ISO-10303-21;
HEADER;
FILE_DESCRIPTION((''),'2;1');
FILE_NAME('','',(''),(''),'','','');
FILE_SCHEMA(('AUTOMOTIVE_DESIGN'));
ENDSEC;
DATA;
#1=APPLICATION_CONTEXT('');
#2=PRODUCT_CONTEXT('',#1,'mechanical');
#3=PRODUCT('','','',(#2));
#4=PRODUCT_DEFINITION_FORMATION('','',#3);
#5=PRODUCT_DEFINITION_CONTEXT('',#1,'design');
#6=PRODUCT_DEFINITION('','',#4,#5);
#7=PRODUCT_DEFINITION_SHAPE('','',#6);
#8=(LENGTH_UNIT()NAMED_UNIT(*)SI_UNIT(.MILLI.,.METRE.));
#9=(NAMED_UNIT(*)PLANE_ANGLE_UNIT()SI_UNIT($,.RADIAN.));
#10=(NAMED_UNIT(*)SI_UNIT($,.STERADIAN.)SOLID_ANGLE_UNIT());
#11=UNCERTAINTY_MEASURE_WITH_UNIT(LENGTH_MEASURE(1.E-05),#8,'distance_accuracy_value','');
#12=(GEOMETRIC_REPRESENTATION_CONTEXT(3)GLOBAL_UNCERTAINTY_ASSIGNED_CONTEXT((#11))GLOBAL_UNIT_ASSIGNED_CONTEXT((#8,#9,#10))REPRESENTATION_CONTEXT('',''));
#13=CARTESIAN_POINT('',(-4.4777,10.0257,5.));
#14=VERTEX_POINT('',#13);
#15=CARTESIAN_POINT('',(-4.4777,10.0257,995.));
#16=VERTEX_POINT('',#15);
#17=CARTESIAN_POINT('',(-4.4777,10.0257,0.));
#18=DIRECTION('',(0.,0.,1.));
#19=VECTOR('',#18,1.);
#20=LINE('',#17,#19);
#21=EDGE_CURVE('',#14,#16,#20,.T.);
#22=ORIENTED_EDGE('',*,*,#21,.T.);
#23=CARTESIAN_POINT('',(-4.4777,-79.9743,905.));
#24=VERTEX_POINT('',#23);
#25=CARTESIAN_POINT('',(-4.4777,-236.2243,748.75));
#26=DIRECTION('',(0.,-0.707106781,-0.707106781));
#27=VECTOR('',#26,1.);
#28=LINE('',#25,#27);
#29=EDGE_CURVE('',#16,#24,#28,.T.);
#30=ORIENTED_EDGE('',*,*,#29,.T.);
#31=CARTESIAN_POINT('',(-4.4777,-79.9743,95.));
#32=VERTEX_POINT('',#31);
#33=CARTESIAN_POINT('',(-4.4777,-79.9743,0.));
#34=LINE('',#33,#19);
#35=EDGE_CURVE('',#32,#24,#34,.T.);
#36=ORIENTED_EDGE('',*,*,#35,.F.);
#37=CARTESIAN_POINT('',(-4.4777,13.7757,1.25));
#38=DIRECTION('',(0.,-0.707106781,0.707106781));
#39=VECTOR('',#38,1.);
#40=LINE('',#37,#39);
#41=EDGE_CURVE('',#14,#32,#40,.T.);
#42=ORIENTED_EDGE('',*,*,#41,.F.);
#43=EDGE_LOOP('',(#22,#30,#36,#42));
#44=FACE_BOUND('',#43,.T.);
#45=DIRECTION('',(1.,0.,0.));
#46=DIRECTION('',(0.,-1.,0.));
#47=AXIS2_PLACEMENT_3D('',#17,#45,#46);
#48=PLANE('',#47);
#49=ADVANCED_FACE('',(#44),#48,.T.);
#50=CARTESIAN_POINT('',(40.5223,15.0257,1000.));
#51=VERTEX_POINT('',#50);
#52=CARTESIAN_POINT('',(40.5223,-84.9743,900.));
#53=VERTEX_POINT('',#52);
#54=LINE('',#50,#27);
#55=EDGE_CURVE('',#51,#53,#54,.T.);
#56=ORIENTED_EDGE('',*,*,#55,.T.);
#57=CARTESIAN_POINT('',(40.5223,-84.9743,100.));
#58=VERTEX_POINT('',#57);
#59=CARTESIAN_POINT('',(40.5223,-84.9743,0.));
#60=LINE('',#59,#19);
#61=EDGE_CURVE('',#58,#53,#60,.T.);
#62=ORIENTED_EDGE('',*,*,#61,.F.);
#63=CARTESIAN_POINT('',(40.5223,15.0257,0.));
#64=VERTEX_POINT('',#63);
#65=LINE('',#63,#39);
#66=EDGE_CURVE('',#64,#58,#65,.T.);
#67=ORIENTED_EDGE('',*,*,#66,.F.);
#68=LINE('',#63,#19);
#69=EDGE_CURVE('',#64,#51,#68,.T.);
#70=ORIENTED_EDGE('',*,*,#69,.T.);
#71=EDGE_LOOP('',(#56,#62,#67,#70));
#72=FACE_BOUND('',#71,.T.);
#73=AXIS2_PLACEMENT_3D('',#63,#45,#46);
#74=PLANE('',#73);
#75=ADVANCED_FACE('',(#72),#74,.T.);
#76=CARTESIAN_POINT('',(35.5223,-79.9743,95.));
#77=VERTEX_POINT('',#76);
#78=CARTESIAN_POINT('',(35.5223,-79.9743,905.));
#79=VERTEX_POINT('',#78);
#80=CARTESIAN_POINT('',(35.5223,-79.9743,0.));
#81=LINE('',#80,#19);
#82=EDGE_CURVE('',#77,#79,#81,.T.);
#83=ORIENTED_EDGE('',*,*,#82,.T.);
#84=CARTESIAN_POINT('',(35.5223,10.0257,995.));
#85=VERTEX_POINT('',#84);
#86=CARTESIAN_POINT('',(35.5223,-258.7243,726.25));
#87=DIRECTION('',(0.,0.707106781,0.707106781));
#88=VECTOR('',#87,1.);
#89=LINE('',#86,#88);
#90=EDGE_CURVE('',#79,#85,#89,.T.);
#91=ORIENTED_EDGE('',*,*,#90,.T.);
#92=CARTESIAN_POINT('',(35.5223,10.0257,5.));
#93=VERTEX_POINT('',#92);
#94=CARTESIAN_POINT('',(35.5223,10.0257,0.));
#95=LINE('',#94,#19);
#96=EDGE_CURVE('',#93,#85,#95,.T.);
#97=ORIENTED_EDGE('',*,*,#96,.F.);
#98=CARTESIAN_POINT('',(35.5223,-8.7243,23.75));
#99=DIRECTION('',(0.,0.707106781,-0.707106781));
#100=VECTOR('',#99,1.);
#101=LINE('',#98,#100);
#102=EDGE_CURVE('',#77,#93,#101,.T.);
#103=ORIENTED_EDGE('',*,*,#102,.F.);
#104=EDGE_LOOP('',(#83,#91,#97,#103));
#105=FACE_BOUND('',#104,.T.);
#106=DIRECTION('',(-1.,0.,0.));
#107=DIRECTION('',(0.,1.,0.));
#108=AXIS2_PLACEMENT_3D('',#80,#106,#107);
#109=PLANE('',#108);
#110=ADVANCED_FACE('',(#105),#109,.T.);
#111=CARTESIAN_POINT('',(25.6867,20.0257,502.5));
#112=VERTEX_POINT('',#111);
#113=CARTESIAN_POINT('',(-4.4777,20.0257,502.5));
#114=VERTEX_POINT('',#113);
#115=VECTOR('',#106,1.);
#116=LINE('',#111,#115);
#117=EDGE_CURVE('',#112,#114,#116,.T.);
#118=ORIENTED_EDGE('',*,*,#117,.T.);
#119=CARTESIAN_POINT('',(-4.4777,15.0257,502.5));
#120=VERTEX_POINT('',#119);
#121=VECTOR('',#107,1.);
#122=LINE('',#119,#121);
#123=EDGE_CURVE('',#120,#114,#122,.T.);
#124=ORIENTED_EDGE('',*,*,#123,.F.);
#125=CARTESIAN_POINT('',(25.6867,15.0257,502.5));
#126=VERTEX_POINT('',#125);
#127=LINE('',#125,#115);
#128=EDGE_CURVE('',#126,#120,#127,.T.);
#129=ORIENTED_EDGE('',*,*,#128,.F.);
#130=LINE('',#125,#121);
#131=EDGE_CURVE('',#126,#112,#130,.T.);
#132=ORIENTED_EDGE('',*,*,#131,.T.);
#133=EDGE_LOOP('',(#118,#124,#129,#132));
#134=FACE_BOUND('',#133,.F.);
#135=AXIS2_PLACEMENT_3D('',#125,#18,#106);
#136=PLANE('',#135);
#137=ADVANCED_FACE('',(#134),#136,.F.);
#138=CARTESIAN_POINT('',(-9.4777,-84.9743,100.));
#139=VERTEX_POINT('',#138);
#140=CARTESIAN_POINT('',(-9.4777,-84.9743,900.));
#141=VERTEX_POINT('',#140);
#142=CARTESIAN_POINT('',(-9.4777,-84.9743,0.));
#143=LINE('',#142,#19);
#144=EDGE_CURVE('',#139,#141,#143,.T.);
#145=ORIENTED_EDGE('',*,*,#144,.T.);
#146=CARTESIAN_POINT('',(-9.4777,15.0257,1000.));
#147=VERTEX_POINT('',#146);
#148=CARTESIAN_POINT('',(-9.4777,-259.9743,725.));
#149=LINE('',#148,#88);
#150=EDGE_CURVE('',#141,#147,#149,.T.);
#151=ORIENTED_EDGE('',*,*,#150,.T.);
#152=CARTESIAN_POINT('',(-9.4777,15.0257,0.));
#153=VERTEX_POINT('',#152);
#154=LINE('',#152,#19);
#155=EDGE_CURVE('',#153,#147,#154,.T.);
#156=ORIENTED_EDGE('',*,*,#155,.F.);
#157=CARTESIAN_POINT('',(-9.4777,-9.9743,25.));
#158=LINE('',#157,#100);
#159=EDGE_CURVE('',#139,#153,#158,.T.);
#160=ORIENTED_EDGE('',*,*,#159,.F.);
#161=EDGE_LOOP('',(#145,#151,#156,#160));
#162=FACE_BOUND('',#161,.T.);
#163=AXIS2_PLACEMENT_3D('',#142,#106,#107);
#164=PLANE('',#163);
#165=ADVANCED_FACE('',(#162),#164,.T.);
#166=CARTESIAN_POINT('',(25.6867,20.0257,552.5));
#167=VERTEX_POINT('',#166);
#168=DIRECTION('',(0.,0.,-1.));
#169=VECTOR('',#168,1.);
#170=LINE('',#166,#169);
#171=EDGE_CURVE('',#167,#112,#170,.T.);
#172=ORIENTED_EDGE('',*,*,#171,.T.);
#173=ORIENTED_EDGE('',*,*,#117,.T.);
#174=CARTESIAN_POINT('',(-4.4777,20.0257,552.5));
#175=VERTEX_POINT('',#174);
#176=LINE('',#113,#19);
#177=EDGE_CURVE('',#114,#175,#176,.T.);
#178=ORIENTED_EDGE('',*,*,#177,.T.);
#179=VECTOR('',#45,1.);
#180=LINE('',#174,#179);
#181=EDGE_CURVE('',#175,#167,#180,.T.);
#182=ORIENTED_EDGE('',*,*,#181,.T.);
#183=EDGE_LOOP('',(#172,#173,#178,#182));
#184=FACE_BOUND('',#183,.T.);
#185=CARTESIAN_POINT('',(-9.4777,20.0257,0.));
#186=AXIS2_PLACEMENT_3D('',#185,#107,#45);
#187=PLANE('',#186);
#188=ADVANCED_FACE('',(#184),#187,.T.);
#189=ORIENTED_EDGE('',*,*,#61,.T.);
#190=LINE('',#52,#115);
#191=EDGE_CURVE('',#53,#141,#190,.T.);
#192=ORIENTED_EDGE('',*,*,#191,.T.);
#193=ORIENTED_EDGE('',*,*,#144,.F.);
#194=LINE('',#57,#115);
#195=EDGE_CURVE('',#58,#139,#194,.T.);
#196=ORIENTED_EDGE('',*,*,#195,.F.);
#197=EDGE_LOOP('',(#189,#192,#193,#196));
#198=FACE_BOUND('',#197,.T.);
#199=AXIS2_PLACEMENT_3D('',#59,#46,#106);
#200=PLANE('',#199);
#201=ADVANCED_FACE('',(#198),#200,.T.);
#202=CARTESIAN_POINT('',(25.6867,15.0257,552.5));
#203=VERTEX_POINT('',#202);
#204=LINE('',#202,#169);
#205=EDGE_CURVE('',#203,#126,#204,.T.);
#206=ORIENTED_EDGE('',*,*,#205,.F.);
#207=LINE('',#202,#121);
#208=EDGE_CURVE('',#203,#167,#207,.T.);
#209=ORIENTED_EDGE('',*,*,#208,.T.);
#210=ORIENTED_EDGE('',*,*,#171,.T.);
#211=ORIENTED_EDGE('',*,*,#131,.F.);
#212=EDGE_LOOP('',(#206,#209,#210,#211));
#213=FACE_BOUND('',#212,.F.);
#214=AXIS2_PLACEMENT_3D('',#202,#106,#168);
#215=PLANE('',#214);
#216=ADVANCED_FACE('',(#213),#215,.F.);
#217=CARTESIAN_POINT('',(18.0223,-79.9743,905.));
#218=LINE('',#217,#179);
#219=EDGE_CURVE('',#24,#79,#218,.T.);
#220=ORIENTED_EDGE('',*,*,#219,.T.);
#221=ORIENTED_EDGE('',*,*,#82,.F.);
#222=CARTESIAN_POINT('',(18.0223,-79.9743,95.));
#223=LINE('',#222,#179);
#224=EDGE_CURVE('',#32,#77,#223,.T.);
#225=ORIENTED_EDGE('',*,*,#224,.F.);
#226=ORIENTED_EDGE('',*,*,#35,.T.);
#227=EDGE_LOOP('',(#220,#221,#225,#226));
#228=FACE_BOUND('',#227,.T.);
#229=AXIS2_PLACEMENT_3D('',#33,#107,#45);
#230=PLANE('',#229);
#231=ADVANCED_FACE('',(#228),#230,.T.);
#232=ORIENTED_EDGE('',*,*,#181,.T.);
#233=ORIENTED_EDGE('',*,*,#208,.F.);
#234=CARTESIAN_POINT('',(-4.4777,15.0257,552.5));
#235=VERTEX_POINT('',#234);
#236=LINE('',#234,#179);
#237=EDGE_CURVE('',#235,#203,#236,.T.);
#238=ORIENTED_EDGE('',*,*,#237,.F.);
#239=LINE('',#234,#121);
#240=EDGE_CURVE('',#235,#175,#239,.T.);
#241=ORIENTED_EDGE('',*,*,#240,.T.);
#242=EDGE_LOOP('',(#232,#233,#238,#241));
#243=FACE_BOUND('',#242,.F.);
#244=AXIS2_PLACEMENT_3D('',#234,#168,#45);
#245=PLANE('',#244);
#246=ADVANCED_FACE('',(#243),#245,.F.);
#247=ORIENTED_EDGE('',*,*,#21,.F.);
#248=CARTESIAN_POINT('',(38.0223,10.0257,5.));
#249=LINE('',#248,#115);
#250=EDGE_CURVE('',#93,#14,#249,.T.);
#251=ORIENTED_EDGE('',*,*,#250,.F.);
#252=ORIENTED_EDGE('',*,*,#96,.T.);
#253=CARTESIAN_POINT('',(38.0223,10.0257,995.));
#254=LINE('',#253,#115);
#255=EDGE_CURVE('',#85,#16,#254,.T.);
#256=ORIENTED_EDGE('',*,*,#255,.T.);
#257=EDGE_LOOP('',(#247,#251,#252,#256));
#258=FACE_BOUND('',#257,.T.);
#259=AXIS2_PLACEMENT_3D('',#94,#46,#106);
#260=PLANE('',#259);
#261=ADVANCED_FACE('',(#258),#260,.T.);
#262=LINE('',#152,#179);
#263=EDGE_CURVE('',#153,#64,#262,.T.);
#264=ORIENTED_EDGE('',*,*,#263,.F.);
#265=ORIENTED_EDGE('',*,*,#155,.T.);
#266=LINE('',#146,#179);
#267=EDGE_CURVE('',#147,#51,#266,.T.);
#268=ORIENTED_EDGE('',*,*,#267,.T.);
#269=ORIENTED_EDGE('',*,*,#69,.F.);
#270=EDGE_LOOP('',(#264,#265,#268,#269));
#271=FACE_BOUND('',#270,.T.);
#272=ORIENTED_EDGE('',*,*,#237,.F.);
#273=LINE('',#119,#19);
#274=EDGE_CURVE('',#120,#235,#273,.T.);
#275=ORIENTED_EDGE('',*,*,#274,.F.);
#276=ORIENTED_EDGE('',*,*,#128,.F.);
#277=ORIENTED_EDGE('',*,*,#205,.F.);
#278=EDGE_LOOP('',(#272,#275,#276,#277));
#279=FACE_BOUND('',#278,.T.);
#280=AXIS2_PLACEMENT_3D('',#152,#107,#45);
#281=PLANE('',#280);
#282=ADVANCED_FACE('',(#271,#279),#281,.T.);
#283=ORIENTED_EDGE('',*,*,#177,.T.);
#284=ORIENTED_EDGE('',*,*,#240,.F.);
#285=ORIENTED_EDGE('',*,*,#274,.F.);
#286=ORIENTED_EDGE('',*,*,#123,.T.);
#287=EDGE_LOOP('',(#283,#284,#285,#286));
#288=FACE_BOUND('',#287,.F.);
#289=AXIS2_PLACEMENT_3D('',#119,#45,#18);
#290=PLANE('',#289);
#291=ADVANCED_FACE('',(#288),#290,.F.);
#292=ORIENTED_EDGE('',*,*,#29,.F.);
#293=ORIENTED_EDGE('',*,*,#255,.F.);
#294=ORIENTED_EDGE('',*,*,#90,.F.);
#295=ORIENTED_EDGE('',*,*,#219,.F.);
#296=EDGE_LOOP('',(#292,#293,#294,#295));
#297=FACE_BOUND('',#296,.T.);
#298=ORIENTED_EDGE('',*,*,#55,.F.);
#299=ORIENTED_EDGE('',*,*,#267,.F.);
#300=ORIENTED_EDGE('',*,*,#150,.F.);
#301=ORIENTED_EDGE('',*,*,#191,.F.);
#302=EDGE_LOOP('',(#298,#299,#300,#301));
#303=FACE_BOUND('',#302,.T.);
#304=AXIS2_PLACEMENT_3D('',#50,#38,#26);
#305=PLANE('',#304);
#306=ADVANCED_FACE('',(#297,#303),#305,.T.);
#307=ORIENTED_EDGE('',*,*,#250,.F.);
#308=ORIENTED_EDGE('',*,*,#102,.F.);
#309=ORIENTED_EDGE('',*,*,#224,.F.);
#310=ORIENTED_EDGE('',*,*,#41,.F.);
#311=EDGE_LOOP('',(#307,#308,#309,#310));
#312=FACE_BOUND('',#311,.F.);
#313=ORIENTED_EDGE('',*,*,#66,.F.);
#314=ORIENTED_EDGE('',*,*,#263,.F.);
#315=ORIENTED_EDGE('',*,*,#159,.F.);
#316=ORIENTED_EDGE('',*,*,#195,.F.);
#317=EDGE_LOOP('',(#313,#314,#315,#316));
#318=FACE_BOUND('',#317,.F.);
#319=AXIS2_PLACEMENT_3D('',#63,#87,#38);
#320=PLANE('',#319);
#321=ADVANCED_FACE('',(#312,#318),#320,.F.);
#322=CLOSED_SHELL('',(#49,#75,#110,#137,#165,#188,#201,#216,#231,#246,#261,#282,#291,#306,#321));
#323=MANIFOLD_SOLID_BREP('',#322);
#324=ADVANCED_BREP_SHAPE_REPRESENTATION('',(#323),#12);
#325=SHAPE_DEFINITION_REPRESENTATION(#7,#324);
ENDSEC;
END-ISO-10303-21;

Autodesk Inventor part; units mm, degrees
ref_plane "YZ Plane" through (0, 0, 0) normal (1, 0, 0) x (0, 1, 0)
ref_plane "XZ Plane" through (0, 0, 0) normal (0, 1, 0) x (-1, 0, 0)
ref_plane "XY Plane" through (0, 0, 0) normal (0, 0, 1) x (1, 0, 0)
sketch "Sketch2" plane through (0, 0, 0) normal (0, 0, 1) x (1, 0, 0)
  line L0 (-9.4777, 15.0257) -> (40.5223, 15.0257)
  line L1 (40.5223, 15.0257) -> (40.5223, -84.9743)
  line L2 (40.5223, -84.9743) -> (-9.4777, -84.9743)
  line L3 (-9.4777, -84.9743) -> (-9.4777, 15.0257)
  line L4 (35.5223, 10.0257) -> (-4.4777, 10.0257)
  line L5 (-4.4777, 10.0257) -> (-4.4777, -79.9743)
  line L6 (-4.4777, -79.9743) -> (35.5223, -79.9743)
  line L7 (35.5223, -79.9743) -> (35.5223, 10.0257)
  point P0 (0, 0)
  point P1 (0, 0)
  dimension "d6" = 50
  dimension "d7" = 100
  dimension "d8" = 5
  dimension "d9" = 90
  dimension "d10" = 5
  dimension "d11" = 40
extrude "Extrusion1" add sketch "Sketch2" along normal blind 1000
sketch "Sketch3" plane through (40.5223, -84.9743, 0) normal (1, 0, 0) x (0, 0, -1)
  line L0 (0, 100) -> (-100, 0)
  line L1 (0, 100) -> (141.4214, 100) construction
  line L2 (0, 0) -> (0, 100) projected
  line L3 (0, 100) -> (0, 0)
  line L4 (0, 0) -> (-100, 0)
  line L5 (0, 0) -> (-1000, 0) projected
  line L6 (0, 100) -> (-1000, 100) projected
  line L7 (-1000, 100) -> (-900, 0)
  line L8 (-1000, 100) -> (-858.5786, 100) construction
  line L9 (-1000, 100) -> (-1000, 0)
  line L10 (-1000, 0) -> (-900, 0)
  point P0 (0, 84.9743)
  dimension "d14" = 135
  dimension "d15" = 45
extrude "Extrusion2" cut sketch "Sketch3" against normal blind 1000 contours L2 L4 L0 | L7 L5 L9
sketch "Sketch5" plane through (-9.4777, 15.0257, 0) normal (0, 1, 0) x (1, 0, 0)
  line L0 (5, -552.5) -> (35.1644, -552.5)
  line L1 (35.1644, -552.5) -> (35.1644, -502.5)
  line L2 (35.1644, -502.5) -> (5, -502.5)
  line L3 (5, -502.5) -> (5, -552.5)
  line L4 (0, 0) -> (0, -1000) projected
  line L5 (50, 0) -> (0, 0) projected
  point P0 (9.4777, 0)
  dimension "d23" = 5
  dimension "d24" = 50
  dimension "d25" = 502.5
extrude "Extrusion4" add sketch "Sketch5" along normal blind 5
properties part number "PerfilH1"
